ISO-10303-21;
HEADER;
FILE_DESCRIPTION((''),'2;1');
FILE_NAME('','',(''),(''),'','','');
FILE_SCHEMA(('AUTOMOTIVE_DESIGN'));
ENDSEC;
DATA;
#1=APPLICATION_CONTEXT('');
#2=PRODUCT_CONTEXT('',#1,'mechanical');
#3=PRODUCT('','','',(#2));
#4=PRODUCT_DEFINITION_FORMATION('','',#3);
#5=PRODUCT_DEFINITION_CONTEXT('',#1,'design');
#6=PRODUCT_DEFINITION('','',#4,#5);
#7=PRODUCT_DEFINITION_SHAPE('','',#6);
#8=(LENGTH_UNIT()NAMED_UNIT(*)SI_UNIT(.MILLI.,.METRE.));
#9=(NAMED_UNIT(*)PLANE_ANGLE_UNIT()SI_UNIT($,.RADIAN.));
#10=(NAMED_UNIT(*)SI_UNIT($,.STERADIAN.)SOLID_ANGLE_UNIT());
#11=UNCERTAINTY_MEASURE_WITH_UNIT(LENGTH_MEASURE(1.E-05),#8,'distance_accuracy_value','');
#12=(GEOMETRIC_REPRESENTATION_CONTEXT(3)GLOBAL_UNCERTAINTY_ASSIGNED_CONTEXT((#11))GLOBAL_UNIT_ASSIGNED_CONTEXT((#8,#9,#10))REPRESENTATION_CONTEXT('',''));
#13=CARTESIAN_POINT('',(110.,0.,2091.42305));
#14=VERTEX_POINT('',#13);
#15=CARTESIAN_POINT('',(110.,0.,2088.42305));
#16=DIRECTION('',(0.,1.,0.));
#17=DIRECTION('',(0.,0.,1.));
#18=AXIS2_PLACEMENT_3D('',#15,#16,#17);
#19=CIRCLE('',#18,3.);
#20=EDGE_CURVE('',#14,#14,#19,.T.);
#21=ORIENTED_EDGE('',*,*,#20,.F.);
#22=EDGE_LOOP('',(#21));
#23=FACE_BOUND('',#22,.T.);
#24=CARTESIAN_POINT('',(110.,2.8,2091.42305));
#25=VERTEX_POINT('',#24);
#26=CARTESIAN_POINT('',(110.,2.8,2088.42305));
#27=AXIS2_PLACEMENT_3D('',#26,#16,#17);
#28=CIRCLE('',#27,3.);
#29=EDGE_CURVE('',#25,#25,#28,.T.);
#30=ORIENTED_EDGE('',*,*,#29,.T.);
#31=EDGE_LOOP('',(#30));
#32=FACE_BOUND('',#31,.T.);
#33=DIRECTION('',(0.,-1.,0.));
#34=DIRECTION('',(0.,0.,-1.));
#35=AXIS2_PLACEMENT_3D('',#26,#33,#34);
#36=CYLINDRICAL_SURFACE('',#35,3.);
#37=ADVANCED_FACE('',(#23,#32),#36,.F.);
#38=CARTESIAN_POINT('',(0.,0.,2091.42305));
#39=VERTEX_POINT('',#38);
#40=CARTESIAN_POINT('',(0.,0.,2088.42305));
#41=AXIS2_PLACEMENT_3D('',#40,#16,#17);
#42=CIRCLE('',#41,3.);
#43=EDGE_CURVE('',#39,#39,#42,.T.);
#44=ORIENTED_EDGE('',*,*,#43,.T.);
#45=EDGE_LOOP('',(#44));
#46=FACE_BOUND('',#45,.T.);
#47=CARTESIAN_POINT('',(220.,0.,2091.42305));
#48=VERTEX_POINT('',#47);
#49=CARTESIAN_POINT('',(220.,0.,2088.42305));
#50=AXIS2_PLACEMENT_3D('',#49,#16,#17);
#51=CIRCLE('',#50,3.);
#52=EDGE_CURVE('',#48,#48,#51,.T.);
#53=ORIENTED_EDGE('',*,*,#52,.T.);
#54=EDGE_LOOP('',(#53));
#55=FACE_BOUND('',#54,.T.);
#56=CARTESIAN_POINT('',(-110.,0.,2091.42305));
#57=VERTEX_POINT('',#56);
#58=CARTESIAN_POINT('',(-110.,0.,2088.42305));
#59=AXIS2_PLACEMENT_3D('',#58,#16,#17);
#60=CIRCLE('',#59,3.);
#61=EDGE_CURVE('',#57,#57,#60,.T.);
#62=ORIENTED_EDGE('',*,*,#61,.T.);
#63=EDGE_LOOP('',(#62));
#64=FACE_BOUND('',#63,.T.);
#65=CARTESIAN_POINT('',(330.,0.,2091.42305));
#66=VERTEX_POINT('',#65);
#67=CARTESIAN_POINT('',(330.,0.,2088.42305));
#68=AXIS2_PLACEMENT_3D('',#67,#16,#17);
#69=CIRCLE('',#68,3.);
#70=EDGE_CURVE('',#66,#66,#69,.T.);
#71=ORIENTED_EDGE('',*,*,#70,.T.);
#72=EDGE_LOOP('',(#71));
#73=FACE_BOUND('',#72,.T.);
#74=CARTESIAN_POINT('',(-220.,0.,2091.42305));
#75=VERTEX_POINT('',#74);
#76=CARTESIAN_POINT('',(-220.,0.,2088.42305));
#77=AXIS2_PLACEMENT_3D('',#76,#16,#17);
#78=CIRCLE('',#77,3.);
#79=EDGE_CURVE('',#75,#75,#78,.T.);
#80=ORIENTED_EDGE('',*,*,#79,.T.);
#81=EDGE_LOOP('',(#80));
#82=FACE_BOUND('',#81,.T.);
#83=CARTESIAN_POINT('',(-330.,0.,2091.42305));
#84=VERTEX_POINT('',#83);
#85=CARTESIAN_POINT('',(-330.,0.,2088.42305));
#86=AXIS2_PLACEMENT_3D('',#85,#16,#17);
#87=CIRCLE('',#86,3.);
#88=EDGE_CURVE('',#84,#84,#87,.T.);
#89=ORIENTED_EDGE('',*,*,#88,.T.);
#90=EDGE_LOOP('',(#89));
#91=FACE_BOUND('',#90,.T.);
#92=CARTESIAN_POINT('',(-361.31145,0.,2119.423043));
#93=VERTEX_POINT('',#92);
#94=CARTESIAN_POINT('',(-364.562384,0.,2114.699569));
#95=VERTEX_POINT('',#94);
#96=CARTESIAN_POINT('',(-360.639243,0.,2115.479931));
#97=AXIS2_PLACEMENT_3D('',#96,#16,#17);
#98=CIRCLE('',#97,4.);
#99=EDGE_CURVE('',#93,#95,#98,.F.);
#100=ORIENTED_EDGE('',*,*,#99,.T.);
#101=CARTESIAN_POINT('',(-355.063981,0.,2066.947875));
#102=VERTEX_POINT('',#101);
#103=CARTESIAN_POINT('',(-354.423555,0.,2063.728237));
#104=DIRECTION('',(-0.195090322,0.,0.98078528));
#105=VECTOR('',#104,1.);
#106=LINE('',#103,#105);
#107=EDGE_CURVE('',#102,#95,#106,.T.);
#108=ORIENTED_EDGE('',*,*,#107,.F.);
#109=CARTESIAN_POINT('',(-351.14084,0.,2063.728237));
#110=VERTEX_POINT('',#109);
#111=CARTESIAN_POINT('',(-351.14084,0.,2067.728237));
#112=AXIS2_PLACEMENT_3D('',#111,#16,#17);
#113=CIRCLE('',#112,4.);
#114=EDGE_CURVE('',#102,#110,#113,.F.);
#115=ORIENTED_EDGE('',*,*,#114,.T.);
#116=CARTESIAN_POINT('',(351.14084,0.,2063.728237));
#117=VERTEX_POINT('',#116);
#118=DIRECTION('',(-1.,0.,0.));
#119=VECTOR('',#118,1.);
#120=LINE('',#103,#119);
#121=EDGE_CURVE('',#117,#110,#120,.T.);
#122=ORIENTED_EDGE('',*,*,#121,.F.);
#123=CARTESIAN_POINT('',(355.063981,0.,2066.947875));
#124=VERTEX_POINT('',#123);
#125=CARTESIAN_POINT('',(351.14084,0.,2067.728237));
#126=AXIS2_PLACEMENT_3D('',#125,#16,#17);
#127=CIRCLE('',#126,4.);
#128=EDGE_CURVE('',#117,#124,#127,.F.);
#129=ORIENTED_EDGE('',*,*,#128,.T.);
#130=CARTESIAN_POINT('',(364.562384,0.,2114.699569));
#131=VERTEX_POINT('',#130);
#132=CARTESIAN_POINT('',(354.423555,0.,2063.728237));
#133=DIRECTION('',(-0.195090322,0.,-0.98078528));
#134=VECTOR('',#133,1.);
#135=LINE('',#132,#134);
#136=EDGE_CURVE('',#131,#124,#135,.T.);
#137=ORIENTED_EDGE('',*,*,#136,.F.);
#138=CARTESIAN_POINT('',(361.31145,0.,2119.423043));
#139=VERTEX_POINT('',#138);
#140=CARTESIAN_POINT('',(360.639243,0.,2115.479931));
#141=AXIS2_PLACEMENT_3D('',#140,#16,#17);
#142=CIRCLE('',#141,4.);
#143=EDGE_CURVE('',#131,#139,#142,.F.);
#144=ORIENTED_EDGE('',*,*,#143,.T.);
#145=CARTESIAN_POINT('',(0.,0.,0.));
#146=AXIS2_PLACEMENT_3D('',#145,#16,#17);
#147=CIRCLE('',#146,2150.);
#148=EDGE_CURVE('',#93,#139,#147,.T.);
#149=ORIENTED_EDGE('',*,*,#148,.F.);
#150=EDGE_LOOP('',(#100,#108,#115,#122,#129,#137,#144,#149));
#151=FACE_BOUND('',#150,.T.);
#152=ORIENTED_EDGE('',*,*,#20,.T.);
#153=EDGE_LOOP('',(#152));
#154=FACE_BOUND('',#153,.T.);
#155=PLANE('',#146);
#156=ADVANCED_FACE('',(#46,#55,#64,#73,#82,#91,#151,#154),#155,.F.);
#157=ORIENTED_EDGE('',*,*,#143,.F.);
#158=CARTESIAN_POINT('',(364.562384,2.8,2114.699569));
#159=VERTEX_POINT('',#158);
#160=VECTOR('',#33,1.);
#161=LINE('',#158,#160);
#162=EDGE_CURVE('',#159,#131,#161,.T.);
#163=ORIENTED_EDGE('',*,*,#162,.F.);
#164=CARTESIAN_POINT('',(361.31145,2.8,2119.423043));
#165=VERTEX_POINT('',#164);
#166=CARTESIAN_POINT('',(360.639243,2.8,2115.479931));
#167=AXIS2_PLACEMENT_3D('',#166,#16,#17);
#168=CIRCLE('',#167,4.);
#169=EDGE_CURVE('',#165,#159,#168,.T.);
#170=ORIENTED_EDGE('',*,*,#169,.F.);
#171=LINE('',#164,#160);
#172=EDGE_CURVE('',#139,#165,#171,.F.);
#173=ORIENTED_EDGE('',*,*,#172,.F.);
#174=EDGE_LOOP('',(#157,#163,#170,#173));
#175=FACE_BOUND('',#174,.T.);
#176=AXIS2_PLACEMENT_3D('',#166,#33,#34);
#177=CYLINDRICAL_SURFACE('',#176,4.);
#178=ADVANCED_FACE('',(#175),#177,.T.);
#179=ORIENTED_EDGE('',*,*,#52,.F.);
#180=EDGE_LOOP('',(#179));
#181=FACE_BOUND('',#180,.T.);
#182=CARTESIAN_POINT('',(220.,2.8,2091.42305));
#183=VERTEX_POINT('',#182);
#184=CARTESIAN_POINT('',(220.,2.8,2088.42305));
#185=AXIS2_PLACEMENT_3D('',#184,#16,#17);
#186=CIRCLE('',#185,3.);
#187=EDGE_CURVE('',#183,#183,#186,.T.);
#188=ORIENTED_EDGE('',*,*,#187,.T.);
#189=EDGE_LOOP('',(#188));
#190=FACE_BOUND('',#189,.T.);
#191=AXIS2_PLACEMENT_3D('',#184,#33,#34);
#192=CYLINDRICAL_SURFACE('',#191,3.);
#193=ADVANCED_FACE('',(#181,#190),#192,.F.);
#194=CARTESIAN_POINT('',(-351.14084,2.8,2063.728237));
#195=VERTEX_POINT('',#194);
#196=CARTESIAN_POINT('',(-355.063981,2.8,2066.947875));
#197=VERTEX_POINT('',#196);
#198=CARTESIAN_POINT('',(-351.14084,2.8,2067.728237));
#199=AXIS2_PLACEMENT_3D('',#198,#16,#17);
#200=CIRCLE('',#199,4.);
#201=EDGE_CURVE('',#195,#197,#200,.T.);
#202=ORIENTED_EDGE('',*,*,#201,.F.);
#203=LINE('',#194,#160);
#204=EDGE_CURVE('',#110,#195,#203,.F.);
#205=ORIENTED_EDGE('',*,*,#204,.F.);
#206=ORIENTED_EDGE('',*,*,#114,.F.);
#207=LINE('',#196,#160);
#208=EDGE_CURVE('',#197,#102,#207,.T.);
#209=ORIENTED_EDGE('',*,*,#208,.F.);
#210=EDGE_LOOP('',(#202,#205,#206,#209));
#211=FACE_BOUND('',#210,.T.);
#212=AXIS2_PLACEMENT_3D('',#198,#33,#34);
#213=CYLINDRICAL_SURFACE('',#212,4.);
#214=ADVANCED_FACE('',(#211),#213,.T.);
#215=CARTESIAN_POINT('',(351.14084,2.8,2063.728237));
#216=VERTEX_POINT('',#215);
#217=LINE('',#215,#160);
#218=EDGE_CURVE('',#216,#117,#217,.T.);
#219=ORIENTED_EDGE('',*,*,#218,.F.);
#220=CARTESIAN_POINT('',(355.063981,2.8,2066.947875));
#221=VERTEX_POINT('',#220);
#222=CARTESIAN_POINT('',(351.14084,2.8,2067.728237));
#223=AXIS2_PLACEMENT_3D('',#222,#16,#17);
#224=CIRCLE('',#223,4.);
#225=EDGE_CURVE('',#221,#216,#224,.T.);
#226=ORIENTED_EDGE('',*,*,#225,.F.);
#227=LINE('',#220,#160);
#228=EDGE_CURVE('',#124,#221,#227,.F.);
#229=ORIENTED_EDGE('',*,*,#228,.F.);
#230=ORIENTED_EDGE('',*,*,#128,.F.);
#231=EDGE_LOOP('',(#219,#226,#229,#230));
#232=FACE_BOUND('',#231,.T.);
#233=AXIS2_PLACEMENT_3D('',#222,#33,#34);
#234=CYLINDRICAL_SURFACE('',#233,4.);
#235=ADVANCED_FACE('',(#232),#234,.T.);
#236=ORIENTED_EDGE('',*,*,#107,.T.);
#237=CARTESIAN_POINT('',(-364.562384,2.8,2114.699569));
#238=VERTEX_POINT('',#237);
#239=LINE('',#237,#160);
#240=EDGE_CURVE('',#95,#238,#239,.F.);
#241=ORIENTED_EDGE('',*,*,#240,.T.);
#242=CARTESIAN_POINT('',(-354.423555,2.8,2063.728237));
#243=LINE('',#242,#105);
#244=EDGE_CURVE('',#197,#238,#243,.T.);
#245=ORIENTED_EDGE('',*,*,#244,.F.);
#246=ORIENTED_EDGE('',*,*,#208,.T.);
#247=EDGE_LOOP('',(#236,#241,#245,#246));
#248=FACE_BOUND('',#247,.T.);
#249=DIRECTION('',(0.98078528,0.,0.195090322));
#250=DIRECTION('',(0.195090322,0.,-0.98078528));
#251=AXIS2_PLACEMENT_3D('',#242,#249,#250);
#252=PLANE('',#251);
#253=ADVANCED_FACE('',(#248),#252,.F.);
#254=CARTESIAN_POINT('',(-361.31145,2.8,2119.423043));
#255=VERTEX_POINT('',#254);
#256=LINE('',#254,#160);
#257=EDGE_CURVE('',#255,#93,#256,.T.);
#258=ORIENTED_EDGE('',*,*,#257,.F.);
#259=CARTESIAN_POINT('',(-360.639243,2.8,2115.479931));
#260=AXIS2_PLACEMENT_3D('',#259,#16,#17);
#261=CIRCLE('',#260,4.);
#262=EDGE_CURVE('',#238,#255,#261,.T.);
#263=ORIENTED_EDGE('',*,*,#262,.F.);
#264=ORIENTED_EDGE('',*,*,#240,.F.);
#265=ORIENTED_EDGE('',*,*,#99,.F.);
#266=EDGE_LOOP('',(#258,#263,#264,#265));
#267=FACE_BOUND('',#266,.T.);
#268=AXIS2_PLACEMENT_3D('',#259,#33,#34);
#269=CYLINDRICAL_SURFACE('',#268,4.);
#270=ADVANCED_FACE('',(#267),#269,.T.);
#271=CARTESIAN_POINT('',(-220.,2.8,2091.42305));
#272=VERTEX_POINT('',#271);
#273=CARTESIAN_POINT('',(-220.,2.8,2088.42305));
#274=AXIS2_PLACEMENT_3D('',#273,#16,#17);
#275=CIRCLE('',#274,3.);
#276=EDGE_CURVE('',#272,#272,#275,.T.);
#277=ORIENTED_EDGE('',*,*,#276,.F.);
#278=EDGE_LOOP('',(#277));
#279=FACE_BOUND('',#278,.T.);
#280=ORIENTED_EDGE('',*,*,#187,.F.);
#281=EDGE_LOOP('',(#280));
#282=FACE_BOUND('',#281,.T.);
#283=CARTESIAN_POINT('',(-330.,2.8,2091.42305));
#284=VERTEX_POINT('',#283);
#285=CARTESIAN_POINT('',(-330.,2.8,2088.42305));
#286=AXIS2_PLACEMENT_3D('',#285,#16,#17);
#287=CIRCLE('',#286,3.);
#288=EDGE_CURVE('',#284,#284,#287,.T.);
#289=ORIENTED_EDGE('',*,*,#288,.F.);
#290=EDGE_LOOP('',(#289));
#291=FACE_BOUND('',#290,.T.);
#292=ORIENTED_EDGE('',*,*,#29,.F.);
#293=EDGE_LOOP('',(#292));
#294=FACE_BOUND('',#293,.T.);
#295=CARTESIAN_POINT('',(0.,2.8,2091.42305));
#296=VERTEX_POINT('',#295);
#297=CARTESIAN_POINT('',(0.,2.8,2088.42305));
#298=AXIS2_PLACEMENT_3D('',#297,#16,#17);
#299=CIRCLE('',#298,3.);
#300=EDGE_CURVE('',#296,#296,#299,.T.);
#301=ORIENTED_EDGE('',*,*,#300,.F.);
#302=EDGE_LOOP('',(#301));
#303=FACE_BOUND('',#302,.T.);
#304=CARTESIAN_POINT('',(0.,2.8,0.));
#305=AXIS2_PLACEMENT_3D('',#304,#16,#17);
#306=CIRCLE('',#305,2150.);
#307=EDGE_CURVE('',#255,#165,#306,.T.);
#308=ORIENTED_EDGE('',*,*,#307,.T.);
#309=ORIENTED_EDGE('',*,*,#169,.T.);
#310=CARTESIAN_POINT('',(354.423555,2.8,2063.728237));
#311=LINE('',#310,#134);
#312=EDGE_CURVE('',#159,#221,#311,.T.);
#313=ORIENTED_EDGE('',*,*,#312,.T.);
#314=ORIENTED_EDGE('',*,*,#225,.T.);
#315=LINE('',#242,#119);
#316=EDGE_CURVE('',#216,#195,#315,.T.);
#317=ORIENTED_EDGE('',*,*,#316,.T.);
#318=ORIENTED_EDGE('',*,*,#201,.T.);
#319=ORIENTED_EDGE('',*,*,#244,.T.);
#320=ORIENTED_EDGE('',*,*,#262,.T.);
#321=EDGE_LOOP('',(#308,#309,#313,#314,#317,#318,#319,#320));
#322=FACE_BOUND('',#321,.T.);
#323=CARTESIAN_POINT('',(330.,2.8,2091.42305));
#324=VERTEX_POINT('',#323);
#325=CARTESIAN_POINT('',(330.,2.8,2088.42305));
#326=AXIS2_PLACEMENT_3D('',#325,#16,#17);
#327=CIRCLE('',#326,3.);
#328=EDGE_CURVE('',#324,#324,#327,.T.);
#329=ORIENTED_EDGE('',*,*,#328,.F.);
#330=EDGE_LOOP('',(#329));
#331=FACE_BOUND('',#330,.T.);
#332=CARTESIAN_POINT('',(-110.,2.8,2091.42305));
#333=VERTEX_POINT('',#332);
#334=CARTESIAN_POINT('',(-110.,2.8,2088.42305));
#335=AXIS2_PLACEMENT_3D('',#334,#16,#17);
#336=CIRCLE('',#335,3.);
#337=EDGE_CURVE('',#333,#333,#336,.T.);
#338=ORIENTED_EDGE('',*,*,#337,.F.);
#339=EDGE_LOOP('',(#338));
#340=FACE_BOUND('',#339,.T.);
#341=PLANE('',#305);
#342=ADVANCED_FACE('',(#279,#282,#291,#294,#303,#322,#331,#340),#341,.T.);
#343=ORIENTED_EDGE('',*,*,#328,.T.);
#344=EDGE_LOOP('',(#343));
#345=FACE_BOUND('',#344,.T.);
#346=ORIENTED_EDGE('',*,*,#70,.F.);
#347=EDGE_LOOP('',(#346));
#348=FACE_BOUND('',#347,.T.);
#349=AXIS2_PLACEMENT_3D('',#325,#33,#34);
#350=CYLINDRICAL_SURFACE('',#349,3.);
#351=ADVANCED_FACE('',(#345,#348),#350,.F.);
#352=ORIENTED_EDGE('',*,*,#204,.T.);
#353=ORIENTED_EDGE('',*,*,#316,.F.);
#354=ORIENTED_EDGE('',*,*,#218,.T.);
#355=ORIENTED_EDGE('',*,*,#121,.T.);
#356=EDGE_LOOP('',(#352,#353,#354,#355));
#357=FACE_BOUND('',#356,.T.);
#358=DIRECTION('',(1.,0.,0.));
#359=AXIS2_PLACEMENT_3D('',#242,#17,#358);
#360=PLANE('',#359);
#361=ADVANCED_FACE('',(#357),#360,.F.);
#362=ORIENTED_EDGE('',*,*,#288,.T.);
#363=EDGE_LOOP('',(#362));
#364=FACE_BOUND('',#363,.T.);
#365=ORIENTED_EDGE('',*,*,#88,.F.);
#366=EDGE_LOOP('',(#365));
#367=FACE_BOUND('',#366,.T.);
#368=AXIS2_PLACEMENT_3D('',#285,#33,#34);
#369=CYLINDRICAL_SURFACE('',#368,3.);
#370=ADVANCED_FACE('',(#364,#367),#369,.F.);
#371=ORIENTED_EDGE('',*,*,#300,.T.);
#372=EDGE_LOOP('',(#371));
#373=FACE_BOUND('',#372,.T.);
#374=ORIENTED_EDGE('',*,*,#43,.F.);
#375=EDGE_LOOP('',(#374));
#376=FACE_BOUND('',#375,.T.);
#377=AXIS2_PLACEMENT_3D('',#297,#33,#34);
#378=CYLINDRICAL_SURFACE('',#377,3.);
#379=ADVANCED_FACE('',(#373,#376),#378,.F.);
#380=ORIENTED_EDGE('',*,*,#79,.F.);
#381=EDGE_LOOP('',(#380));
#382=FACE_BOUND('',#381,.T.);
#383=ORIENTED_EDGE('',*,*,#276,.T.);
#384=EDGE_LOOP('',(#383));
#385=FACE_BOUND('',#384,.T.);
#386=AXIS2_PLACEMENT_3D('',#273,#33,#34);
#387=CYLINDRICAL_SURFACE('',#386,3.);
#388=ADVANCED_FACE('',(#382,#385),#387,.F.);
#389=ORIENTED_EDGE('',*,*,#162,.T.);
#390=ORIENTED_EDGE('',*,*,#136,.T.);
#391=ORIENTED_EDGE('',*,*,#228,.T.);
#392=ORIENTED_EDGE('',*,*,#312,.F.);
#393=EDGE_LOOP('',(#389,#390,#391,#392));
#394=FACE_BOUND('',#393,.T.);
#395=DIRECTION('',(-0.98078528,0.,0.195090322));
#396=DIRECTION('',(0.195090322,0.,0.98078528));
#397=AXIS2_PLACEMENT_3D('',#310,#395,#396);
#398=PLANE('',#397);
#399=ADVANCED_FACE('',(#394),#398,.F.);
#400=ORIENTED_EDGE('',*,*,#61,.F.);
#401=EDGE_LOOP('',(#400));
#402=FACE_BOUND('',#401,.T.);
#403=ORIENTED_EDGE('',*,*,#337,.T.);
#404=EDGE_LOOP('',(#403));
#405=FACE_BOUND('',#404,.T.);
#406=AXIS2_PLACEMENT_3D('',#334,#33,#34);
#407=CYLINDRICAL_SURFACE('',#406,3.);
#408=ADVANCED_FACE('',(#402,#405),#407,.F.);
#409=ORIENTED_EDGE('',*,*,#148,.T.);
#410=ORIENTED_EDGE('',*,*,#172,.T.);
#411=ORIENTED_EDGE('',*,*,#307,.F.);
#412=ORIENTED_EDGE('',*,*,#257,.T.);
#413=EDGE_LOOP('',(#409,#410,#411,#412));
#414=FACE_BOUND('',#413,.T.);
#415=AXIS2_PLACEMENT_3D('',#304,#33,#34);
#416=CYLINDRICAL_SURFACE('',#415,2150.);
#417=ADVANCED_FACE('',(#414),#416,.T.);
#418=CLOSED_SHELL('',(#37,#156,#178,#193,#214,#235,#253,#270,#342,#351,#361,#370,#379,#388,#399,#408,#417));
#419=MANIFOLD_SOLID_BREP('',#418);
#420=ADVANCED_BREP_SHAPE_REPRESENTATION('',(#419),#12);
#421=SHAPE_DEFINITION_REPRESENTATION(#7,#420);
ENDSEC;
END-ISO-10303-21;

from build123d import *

# Parameters (mm, degrees)
SKETCH1_R           = 3
BOSS_EXTRUDE1_DEPTH = 2.8
FILLET1_R           = 4


with BuildPart() as part:
    # Sketch1 → Boss-Extrude1 (new body)
    with BuildSketch(Plane(origin=(0, 0, 0), x_dir=(1, 0, 0), z_dir=(0, 1, 0))):
        with BuildLine():
            Line((-354.423555473, -2063.72823662), (-365.363735679, -2118.72823662))
            ThreePointArc((-365.363735679, -2118.72823662), (0, -2150), (365.363735679, -2118.72823662))
            Line((365.363735679, -2118.72823662), (354.423555473, -2063.72823662))
            Line((354.423555473, -2063.72823662), (-354.423555473, -2063.72823662))
        make_face()
        with Locations((0, -2088.423050098)):
            Circle(SKETCH1_R, mode=Mode.SUBTRACT)
        with Locations((110, -2088.423050098)):
            Circle(SKETCH1_R, mode=Mode.SUBTRACT)
        with Locations((220, -2088.423050098)):
            Circle(SKETCH1_R, mode=Mode.SUBTRACT)
        with Locations((330, -2088.423050098)):
            Circle(SKETCH1_R, mode=Mode.SUBTRACT)
        with Locations((-110, -2088.423050098)):
            Circle(SKETCH1_R, mode=Mode.SUBTRACT)
        with Locations((-220, -2088.423050098)):
            Circle(SKETCH1_R, mode=Mode.SUBTRACT)
        with Locations((-330, -2088.423050098)):
            Circle(SKETCH1_R, mode=Mode.SUBTRACT)
    extrude(amount=BOSS_EXTRUDE1_DEPTH)

    # Fillet1
    fillet1_edges = [part.edges().sort_by_distance(p)[0] for p in [
        (365.363735679, 1.4, 2118.72823662),
        (-365.363735679, 1.4, 2118.72823662),
        (-354.423555473, 1.4, 2063.72823662),
        (354.423555473, 1.4, 2063.72823662),
    ]]
    fillet(fillet1_edges, radius=FILLET1_R)


solid = part.part
